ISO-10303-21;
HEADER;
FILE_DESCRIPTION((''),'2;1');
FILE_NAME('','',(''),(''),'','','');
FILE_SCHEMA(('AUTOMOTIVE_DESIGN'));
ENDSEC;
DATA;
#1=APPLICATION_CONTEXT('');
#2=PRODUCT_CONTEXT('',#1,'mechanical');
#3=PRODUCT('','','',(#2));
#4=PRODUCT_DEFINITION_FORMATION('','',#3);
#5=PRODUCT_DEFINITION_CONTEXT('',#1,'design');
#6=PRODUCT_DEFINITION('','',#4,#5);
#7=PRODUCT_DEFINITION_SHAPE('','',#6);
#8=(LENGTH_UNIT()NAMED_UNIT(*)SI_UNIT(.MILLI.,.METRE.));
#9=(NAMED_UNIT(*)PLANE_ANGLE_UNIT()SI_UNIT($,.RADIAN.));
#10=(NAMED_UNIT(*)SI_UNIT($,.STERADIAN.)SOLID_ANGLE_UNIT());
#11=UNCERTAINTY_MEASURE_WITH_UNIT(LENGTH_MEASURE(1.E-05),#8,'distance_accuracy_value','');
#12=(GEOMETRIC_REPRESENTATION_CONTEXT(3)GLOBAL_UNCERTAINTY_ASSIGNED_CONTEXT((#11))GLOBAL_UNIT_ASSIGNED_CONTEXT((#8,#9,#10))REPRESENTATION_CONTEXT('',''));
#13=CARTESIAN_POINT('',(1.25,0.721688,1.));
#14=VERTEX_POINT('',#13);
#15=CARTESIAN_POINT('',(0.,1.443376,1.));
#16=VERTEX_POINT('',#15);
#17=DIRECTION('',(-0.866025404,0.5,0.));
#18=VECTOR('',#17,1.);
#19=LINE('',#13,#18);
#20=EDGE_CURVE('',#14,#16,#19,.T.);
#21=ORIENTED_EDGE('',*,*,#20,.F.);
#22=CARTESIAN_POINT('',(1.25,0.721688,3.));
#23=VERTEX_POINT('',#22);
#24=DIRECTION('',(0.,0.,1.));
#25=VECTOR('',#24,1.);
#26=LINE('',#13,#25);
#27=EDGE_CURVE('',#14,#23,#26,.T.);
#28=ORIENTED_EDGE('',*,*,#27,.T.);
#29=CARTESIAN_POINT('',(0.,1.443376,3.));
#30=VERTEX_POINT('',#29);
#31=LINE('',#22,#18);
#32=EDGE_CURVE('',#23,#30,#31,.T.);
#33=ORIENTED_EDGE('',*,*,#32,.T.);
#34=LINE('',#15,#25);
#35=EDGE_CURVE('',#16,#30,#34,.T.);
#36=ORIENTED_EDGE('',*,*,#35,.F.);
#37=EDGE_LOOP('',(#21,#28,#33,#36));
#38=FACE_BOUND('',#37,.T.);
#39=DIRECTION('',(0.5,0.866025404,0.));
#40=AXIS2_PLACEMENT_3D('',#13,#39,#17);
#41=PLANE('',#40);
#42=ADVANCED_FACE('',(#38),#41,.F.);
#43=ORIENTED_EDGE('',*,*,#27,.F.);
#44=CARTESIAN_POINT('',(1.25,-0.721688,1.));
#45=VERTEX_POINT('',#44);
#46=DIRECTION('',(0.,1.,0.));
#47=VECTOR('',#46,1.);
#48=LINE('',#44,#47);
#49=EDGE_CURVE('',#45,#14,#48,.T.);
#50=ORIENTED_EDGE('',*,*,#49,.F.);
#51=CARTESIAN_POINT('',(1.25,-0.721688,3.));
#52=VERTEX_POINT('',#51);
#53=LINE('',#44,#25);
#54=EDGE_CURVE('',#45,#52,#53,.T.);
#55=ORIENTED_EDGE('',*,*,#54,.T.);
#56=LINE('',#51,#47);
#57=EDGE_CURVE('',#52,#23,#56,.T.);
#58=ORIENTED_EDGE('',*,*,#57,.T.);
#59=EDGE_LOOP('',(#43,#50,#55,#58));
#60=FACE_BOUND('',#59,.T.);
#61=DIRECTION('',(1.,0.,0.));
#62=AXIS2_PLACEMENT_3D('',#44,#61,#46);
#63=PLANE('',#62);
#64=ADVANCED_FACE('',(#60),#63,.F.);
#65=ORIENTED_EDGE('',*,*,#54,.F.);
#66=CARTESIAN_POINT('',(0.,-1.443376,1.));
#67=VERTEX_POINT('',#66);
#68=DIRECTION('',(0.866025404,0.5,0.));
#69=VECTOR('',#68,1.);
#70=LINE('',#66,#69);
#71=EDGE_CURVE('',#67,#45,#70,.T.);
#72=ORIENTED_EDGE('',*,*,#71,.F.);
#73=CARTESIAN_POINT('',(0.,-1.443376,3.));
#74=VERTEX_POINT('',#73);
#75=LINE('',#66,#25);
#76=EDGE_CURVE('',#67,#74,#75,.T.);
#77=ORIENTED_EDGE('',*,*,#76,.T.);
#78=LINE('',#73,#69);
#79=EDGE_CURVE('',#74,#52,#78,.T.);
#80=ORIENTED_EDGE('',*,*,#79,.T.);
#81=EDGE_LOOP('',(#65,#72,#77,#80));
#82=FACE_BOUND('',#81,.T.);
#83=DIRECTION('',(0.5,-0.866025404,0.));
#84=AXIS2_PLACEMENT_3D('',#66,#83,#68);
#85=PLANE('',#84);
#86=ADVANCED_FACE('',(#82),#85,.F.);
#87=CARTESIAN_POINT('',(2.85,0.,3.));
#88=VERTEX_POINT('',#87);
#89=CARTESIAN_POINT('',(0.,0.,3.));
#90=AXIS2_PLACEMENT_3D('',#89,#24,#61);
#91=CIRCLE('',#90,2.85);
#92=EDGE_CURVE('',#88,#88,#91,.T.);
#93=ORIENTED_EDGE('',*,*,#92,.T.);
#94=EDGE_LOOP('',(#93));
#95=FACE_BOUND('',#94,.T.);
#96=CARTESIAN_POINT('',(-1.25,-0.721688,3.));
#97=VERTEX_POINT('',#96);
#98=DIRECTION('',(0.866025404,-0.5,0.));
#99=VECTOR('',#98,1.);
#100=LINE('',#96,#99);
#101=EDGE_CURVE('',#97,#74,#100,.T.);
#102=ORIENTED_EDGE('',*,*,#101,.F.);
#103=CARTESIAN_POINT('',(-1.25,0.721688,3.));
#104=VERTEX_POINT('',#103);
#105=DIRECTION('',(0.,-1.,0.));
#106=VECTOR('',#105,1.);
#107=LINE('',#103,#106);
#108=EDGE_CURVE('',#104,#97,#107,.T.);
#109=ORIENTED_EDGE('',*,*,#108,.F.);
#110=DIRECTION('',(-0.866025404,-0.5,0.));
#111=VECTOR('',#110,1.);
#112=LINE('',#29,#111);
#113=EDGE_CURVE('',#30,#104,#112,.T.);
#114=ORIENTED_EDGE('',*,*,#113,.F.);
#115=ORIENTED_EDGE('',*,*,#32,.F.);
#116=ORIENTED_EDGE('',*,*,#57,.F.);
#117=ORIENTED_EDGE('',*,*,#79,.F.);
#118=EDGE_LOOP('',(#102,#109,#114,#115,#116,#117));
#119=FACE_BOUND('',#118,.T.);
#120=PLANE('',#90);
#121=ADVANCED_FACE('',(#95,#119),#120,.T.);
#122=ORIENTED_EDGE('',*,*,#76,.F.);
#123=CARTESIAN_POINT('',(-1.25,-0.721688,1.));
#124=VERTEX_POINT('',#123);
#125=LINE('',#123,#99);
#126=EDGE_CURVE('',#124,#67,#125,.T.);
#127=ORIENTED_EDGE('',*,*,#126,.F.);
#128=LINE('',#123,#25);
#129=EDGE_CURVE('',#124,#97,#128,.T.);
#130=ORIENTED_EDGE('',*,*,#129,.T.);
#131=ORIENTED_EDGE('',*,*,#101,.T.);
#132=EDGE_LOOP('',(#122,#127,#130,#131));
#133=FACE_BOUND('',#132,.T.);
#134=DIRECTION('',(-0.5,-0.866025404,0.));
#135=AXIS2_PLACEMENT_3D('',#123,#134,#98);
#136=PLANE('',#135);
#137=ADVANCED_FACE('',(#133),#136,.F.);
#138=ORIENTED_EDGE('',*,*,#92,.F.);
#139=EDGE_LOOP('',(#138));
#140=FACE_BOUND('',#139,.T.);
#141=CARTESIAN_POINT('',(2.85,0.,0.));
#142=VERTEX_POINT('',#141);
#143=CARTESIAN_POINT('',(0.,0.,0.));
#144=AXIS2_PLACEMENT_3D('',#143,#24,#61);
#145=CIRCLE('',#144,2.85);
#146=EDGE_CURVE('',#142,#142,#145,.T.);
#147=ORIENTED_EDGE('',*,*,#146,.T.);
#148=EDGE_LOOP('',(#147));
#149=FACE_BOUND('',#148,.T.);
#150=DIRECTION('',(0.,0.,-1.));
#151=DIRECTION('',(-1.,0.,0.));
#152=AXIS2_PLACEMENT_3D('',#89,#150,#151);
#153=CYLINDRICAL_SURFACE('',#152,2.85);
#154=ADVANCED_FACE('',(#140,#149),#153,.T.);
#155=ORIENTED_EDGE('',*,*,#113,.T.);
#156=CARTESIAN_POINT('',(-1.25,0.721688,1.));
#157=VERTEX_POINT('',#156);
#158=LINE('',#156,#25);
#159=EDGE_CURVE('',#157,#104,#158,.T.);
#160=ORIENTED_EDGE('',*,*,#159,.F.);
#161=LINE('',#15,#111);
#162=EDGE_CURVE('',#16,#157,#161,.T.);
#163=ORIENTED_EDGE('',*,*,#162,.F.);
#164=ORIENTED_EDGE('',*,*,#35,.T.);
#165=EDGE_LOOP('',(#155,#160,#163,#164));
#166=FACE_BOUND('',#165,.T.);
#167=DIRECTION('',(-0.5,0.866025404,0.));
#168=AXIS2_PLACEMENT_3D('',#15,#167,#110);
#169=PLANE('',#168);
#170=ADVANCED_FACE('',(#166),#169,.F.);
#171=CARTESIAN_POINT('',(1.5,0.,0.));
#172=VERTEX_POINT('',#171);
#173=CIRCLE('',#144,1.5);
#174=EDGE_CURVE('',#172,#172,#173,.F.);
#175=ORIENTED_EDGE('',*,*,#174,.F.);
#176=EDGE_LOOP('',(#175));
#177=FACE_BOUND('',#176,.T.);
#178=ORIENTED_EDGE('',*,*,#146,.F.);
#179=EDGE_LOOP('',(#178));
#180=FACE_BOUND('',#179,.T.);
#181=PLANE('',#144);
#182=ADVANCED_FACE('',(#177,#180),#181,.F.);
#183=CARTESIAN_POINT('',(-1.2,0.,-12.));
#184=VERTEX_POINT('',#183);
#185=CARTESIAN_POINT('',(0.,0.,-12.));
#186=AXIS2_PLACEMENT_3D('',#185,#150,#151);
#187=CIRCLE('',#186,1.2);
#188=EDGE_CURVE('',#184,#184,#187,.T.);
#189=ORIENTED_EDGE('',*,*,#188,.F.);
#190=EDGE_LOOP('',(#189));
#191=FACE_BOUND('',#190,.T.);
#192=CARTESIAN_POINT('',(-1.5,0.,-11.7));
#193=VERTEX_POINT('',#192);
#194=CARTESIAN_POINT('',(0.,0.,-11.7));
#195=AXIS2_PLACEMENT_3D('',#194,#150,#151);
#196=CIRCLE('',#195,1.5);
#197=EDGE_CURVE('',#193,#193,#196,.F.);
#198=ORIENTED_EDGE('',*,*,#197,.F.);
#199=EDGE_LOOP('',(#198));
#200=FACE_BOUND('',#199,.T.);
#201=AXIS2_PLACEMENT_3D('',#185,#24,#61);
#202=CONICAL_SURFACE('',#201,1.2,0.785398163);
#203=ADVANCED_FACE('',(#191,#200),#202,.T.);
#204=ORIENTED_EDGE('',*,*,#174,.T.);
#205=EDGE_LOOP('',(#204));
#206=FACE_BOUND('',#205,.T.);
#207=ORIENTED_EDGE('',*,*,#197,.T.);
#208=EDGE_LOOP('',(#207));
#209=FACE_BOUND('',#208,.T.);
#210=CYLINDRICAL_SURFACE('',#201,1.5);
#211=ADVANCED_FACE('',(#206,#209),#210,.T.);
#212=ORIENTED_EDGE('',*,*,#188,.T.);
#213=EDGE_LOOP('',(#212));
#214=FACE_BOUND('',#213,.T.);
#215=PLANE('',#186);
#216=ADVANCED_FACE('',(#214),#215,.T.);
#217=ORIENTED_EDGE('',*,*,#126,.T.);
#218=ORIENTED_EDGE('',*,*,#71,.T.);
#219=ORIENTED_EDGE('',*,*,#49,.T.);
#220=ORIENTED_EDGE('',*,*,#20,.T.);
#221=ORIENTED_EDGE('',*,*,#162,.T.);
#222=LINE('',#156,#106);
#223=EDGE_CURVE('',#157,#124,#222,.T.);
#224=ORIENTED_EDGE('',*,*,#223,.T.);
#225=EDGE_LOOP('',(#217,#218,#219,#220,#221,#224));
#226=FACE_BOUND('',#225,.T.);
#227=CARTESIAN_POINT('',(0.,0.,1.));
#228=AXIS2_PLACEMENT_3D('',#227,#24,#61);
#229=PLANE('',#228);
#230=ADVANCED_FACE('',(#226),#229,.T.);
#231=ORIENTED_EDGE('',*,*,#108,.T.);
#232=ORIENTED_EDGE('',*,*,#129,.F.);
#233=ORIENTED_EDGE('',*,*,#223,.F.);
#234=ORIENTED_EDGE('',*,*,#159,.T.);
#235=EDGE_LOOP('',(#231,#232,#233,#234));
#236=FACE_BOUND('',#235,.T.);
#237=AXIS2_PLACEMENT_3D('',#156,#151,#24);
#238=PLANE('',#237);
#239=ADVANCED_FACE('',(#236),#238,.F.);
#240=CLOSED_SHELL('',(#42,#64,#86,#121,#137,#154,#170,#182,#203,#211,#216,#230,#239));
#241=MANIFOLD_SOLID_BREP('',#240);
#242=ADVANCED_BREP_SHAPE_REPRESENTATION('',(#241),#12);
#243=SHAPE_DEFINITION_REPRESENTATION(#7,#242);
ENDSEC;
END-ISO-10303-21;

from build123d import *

# Parameters (mm, degrees)
SKETCH1_R           = 2.85
BOSS_EXTRUDE1_DEPTH = 3
SKETCH2_R           = 1.5
BOSS_EXTRUDE2_DEPTH = 12
CHAMFER1_SIZE       = 0.3
CUT_EXTRUDE1_DEPTH  = 2


with BuildPart() as part:
    # Sketch1 → Boss-Extrude1 (new body)
    with BuildSketch(Plane.XY):
        Circle(SKETCH1_R)
    extrude(amount=BOSS_EXTRUDE1_DEPTH)

    # Sketch2 → Boss-Extrude2 (add)
    with BuildSketch(Plane(origin=(0, 0, 0), x_dir=(-1, 0, 0), z_dir=(0, 0, -1))):
        Circle(SKETCH2_R)
    extrude(amount=BOSS_EXTRUDE2_DEPTH)

    # Chamfer1
    chamfer1_edges = [part.edges().sort_by_distance(p)[0] for p in [
        (1.5, 0, -12),
    ]]
    chamfer(chamfer1_edges, length=CHAMFER1_SIZE)

    # Sketch3 → Cut-Extrude1 (cut)
    with BuildSketch(Plane.XY.offset(3)):
        Polygon((0, 1.443375673), (-1.25, 0.721687836), (-1.25, -0.721687836), (0, -1.443375673), (1.25, -0.721687836), (1.25, 0.721687836), align=None)
    extrude(amount=-CUT_EXTRUDE1_DEPTH, mode=Mode.SUBTRACT)


solid = part.part
